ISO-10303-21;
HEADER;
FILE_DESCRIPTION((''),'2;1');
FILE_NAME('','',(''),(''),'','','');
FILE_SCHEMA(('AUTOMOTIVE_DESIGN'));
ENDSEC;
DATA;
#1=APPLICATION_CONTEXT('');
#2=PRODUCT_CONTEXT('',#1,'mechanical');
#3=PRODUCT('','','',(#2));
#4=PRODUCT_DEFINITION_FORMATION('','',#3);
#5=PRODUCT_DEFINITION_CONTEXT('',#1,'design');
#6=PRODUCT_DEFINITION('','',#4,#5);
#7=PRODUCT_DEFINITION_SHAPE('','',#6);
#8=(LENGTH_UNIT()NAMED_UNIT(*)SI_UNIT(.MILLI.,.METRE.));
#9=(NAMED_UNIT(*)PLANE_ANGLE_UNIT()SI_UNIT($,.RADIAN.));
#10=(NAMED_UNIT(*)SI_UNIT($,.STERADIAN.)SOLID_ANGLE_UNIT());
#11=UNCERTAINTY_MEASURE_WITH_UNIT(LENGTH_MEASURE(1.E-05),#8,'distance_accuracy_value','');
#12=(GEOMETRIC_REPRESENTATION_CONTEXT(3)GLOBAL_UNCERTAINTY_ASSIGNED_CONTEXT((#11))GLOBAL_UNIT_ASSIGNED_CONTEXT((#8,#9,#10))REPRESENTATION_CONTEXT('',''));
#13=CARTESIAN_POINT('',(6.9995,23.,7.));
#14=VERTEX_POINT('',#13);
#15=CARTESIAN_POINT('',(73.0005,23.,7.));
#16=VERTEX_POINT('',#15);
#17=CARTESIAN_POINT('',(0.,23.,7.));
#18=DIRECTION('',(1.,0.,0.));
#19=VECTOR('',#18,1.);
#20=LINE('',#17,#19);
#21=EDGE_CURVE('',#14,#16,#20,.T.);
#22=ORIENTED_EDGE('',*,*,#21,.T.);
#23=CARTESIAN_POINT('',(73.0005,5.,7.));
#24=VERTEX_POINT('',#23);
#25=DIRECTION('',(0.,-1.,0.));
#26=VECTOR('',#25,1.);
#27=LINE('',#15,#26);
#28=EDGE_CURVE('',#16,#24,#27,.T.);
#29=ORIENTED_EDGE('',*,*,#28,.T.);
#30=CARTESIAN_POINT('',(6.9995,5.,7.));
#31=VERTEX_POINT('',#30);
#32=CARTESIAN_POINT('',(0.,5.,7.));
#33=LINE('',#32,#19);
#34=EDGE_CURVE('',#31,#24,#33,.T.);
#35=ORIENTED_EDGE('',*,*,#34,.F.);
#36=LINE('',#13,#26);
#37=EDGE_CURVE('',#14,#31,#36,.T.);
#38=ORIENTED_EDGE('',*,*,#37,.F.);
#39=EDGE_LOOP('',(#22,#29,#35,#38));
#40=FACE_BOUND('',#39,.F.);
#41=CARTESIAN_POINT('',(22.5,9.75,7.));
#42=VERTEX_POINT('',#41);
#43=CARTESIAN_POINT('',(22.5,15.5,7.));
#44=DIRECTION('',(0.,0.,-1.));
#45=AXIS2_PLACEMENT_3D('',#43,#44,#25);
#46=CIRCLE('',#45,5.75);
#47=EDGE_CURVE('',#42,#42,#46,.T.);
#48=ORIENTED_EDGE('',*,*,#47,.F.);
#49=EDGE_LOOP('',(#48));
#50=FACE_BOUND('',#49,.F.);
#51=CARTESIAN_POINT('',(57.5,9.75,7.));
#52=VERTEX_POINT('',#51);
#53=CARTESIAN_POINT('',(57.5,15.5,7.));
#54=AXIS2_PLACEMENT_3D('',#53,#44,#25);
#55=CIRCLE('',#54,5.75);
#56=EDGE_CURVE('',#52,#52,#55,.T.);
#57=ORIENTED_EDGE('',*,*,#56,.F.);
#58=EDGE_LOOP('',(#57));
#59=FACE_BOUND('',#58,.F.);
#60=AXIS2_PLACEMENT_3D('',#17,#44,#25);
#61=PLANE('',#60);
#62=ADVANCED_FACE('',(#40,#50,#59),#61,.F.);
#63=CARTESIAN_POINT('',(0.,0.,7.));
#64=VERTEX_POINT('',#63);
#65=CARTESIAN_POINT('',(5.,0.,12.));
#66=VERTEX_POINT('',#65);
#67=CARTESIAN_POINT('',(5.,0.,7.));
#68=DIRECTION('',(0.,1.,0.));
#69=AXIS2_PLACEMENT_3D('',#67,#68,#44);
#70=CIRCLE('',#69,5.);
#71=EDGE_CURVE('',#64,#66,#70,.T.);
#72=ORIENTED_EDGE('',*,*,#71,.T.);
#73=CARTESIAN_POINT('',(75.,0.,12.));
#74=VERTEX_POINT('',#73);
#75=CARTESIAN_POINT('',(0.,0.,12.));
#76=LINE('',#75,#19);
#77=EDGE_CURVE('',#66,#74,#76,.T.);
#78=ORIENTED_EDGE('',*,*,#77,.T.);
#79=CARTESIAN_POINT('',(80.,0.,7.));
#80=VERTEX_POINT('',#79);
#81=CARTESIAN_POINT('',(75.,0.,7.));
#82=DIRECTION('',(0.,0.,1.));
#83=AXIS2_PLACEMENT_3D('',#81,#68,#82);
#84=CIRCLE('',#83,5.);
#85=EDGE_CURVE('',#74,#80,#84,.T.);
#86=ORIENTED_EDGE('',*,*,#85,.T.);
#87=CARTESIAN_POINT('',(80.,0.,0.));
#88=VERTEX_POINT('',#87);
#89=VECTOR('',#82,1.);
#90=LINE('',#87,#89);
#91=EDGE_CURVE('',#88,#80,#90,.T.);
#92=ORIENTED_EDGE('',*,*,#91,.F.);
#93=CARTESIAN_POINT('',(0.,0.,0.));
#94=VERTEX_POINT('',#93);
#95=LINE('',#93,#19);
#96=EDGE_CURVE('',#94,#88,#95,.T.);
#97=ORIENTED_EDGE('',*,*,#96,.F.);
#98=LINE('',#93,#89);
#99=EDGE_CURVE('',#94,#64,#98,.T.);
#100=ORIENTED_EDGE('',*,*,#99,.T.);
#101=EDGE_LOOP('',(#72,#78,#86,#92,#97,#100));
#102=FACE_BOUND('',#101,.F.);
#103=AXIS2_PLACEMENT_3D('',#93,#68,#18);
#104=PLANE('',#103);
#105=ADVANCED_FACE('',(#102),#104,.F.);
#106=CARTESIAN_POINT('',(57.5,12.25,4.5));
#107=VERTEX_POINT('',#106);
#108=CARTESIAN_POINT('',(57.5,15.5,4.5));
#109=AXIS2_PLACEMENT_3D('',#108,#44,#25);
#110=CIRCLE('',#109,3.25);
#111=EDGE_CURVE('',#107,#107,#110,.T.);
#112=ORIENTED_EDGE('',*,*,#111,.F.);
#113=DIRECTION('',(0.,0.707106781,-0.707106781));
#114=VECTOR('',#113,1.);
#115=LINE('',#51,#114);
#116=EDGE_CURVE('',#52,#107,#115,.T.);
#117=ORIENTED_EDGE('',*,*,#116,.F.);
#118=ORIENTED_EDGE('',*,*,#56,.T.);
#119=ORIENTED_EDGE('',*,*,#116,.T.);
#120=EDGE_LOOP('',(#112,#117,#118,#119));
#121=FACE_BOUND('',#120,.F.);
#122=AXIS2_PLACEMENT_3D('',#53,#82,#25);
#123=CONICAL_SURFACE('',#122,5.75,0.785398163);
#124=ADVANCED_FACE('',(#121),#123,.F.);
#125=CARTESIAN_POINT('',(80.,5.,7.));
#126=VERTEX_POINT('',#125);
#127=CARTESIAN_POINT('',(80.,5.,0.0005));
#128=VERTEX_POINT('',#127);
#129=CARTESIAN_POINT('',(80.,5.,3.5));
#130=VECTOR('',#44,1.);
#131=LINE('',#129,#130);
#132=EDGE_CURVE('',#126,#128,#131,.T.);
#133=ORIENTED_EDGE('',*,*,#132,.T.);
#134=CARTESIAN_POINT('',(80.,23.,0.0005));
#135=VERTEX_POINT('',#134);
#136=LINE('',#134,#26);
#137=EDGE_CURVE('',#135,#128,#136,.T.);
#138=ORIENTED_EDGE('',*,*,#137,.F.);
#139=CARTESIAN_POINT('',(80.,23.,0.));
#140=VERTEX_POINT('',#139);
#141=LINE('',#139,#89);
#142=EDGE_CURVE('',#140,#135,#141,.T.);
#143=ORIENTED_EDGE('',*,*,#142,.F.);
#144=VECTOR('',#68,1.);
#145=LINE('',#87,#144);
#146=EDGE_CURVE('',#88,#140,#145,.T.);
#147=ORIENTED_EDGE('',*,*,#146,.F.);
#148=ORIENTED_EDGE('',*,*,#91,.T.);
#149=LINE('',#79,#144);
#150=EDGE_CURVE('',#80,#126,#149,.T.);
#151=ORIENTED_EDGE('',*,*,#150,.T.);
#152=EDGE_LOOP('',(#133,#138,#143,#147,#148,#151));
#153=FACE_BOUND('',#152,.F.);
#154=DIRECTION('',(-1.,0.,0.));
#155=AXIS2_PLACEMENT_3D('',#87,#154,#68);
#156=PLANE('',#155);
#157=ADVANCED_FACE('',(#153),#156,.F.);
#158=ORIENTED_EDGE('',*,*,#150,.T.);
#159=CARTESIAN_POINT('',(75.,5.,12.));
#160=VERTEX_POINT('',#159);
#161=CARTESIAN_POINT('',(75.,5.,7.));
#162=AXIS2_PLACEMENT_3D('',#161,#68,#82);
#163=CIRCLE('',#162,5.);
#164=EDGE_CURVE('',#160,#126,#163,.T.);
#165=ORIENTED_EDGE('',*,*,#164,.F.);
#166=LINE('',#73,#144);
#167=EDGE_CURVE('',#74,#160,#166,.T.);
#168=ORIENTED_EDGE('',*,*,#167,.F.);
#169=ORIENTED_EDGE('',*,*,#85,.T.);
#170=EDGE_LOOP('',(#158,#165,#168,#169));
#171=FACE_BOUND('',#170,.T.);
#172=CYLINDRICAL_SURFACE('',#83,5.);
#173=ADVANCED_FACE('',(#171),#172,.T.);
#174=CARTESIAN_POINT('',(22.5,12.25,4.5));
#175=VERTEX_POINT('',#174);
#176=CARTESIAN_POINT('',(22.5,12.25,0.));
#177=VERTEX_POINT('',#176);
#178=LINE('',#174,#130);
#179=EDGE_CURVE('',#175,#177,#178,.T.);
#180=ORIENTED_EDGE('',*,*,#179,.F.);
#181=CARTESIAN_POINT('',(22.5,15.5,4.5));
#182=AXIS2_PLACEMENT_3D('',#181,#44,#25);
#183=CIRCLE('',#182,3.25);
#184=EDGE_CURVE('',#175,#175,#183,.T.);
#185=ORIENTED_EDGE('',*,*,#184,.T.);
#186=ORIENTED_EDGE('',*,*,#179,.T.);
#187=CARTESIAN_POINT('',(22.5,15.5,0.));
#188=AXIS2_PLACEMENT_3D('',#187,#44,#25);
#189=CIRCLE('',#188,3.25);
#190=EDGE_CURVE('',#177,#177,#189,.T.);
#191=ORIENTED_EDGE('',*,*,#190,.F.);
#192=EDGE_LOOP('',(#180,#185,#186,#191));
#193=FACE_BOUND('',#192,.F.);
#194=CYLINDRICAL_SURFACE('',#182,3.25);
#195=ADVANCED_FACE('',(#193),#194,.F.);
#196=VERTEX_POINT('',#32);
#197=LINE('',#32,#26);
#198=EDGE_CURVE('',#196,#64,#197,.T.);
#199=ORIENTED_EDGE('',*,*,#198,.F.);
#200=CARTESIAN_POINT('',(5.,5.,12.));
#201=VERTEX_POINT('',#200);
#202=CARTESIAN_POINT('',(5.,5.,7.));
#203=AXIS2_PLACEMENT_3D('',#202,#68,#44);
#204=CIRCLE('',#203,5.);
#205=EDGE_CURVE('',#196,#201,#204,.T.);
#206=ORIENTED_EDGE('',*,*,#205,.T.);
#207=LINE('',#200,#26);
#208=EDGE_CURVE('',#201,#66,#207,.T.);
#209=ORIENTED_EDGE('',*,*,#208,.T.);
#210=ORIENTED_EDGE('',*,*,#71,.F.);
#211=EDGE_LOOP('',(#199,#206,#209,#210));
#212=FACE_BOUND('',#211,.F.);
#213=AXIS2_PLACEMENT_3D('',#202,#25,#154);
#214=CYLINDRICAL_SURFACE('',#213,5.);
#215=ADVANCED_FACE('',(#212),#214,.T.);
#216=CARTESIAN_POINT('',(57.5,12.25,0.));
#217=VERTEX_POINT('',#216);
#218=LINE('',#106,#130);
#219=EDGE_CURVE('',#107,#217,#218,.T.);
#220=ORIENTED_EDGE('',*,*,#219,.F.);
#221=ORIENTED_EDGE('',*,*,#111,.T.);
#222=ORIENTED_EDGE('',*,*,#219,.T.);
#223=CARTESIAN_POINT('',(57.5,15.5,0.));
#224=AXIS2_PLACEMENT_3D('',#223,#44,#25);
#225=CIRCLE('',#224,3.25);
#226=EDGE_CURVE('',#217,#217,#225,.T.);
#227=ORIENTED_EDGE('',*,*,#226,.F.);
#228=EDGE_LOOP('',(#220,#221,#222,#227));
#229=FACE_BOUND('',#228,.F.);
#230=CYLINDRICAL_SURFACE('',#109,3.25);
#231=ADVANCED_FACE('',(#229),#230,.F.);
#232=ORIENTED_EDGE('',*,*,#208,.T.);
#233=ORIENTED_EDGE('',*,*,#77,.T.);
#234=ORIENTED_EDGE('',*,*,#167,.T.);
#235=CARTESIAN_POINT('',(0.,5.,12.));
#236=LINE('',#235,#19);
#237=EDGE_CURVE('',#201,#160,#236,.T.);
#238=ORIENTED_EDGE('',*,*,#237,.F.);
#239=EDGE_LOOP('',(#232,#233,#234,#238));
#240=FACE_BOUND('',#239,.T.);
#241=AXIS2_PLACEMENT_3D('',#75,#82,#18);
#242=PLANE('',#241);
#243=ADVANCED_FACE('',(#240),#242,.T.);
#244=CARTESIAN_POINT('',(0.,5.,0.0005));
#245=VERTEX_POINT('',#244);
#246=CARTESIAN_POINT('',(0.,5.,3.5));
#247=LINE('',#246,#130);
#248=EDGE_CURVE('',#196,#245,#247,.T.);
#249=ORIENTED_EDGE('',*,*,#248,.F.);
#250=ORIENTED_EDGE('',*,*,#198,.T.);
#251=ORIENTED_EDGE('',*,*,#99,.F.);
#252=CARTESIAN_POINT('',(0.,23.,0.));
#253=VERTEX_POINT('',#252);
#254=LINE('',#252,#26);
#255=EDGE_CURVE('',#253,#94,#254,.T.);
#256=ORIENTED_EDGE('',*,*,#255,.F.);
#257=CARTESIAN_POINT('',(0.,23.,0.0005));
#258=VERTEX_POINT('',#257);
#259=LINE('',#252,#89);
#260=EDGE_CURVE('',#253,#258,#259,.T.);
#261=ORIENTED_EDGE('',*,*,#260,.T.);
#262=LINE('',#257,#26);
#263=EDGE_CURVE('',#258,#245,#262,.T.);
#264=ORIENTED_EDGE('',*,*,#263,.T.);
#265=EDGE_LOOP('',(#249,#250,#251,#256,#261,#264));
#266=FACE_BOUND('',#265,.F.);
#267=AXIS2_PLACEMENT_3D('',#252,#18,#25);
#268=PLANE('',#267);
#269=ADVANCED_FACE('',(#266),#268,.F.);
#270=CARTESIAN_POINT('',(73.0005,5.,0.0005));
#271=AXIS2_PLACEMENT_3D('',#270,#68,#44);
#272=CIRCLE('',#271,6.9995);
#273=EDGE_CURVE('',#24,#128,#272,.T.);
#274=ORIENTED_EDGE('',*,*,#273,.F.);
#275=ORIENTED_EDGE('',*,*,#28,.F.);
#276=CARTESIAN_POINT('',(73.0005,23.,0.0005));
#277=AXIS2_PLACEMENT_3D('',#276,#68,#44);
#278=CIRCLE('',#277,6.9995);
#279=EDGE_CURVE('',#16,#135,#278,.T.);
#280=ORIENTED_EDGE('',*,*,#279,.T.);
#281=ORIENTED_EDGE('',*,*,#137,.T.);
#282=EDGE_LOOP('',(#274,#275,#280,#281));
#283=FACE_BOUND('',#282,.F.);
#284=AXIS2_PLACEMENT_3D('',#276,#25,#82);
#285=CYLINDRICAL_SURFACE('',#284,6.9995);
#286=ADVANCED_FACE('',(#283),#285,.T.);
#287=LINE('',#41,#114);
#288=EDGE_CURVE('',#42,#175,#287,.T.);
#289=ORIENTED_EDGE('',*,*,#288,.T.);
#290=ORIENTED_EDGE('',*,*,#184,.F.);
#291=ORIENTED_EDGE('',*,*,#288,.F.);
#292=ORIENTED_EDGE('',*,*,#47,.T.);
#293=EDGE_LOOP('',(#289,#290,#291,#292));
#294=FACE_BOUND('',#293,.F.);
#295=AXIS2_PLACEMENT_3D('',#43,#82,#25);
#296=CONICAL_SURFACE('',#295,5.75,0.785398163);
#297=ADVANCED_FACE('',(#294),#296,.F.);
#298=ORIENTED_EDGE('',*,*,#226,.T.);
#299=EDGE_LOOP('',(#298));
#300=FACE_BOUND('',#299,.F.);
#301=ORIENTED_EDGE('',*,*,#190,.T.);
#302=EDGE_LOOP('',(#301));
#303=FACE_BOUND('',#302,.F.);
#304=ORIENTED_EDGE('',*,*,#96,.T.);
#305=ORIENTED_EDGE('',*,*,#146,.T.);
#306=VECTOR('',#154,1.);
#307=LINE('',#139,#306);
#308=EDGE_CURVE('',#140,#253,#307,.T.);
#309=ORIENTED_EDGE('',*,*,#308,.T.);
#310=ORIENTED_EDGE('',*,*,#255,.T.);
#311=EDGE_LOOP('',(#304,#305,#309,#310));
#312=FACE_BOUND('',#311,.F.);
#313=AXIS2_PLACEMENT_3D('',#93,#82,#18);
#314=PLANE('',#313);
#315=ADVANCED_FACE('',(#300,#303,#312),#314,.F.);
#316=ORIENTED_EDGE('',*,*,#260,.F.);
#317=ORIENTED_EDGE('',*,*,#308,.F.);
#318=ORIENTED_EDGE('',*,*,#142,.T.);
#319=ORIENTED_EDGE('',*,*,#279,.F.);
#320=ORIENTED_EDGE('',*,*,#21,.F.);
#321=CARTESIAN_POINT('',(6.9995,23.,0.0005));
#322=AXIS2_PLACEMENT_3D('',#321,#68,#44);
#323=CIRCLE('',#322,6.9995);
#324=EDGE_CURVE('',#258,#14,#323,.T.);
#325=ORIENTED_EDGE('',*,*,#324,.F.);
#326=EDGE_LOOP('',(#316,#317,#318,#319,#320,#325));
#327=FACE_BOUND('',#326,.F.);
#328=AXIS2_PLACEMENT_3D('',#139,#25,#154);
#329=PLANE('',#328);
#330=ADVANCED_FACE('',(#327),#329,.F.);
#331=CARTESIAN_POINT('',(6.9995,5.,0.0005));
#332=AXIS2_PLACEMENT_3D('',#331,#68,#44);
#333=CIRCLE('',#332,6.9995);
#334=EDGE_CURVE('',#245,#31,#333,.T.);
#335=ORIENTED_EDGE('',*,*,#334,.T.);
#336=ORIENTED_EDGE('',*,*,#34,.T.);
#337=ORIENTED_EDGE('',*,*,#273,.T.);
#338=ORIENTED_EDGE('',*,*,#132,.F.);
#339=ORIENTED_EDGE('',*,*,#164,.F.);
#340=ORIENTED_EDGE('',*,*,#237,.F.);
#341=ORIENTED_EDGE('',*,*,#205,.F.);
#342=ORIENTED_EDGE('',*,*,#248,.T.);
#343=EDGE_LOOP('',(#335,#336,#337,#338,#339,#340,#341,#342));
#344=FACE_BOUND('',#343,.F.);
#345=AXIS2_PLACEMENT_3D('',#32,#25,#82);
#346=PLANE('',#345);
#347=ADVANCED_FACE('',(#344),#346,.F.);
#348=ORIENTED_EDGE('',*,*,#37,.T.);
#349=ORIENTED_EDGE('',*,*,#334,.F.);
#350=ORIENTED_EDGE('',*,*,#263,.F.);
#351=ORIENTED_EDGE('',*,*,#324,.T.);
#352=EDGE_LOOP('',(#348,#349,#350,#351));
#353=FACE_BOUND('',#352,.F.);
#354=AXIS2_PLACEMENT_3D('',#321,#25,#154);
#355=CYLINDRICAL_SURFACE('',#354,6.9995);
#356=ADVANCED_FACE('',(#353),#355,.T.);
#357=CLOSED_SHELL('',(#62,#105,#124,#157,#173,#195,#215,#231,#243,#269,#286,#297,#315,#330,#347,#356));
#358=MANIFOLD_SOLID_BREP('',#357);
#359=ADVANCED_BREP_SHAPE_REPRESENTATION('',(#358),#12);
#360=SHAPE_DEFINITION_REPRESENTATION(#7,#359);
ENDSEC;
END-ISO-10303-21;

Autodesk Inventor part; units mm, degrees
ref_plane "YZ Plane" through (0, 0, 0) normal (1, 0, 0) x (0, 1, 0)
ref_plane "XZ Plane" through (0, 0, 0) normal (0, 1, 0) x (-1, 0, 0)
ref_plane "XY Plane" through (0, 0, 0) normal (0, 0, 1) x (1, 0, 0)
sketch "Sketch1" plane through (0, 0, 0) normal (0, 0, 1) x (1, 0, 0)
  line L0 (0, 0) -> (80, 0)
  line L1 (80, 0) -> (80, 23)
  line L2 (80, 23) -> (0, 23)
  line L3 (0, 23) -> (0, 0)
  dimension "d0" = 80
  dimension "d1" = 23
extrude "Extrusion1" add sketch "Sketch1" along normal blind 12
sketch "Sketch2" plane through (0, 0, 0) normal (-1, 0, 0) x (0, 0, 1)
  line L0 (0, 23) -> (0, 0) projected
  line L1 (0, 0) -> (12, 0) projected
  line L2 (12, 23) -> (7, 23)
  line L3 (7, 23) -> (7, 5)
  line L4 (7, 5) -> (12, 5)
  line L5 (12, 5) -> (12, 23)
  dimension "d4" = 7
  dimension "d5" = 5
extrude "Extrusion2" cut sketch "Sketch2" against normal blind 80
sketch "Sketch3" plane through (0, 5, 7) normal (0, 0, 1) x (1, 0, 0)
  line L0 (0, 18) -> (80, 18) projected
  line L1 (0, 0) -> (0, 18) projected
  point P0 (0, -5)
  point P1 (22.5, 10.5)
  point P2 (57.5, 10.5)
  dimension "d8" = 7.5
  dimension "d9" = 7.5
  dimension "d10" = 35
  dimension "d11" = 22.5
hole "Hole1" at (22.5, 15.5, 7) at (57.5, 15.5, 7) direction (0, 0, -1) diameter 6.5 depth 7 tip angle 118 countersink diameter 11.5 countersink angle 90
fillet "Fillet1" radius 7 2 edges at (0, 14, 7) (80, 14, 7)
fillet "Fillet2" radius 5 2 edges at (0, 2.5, 12) (80, 2.5, 12)
properties part number "PÁRA-CHOQUE DIANTEIRO" material "Carbon Steel"
